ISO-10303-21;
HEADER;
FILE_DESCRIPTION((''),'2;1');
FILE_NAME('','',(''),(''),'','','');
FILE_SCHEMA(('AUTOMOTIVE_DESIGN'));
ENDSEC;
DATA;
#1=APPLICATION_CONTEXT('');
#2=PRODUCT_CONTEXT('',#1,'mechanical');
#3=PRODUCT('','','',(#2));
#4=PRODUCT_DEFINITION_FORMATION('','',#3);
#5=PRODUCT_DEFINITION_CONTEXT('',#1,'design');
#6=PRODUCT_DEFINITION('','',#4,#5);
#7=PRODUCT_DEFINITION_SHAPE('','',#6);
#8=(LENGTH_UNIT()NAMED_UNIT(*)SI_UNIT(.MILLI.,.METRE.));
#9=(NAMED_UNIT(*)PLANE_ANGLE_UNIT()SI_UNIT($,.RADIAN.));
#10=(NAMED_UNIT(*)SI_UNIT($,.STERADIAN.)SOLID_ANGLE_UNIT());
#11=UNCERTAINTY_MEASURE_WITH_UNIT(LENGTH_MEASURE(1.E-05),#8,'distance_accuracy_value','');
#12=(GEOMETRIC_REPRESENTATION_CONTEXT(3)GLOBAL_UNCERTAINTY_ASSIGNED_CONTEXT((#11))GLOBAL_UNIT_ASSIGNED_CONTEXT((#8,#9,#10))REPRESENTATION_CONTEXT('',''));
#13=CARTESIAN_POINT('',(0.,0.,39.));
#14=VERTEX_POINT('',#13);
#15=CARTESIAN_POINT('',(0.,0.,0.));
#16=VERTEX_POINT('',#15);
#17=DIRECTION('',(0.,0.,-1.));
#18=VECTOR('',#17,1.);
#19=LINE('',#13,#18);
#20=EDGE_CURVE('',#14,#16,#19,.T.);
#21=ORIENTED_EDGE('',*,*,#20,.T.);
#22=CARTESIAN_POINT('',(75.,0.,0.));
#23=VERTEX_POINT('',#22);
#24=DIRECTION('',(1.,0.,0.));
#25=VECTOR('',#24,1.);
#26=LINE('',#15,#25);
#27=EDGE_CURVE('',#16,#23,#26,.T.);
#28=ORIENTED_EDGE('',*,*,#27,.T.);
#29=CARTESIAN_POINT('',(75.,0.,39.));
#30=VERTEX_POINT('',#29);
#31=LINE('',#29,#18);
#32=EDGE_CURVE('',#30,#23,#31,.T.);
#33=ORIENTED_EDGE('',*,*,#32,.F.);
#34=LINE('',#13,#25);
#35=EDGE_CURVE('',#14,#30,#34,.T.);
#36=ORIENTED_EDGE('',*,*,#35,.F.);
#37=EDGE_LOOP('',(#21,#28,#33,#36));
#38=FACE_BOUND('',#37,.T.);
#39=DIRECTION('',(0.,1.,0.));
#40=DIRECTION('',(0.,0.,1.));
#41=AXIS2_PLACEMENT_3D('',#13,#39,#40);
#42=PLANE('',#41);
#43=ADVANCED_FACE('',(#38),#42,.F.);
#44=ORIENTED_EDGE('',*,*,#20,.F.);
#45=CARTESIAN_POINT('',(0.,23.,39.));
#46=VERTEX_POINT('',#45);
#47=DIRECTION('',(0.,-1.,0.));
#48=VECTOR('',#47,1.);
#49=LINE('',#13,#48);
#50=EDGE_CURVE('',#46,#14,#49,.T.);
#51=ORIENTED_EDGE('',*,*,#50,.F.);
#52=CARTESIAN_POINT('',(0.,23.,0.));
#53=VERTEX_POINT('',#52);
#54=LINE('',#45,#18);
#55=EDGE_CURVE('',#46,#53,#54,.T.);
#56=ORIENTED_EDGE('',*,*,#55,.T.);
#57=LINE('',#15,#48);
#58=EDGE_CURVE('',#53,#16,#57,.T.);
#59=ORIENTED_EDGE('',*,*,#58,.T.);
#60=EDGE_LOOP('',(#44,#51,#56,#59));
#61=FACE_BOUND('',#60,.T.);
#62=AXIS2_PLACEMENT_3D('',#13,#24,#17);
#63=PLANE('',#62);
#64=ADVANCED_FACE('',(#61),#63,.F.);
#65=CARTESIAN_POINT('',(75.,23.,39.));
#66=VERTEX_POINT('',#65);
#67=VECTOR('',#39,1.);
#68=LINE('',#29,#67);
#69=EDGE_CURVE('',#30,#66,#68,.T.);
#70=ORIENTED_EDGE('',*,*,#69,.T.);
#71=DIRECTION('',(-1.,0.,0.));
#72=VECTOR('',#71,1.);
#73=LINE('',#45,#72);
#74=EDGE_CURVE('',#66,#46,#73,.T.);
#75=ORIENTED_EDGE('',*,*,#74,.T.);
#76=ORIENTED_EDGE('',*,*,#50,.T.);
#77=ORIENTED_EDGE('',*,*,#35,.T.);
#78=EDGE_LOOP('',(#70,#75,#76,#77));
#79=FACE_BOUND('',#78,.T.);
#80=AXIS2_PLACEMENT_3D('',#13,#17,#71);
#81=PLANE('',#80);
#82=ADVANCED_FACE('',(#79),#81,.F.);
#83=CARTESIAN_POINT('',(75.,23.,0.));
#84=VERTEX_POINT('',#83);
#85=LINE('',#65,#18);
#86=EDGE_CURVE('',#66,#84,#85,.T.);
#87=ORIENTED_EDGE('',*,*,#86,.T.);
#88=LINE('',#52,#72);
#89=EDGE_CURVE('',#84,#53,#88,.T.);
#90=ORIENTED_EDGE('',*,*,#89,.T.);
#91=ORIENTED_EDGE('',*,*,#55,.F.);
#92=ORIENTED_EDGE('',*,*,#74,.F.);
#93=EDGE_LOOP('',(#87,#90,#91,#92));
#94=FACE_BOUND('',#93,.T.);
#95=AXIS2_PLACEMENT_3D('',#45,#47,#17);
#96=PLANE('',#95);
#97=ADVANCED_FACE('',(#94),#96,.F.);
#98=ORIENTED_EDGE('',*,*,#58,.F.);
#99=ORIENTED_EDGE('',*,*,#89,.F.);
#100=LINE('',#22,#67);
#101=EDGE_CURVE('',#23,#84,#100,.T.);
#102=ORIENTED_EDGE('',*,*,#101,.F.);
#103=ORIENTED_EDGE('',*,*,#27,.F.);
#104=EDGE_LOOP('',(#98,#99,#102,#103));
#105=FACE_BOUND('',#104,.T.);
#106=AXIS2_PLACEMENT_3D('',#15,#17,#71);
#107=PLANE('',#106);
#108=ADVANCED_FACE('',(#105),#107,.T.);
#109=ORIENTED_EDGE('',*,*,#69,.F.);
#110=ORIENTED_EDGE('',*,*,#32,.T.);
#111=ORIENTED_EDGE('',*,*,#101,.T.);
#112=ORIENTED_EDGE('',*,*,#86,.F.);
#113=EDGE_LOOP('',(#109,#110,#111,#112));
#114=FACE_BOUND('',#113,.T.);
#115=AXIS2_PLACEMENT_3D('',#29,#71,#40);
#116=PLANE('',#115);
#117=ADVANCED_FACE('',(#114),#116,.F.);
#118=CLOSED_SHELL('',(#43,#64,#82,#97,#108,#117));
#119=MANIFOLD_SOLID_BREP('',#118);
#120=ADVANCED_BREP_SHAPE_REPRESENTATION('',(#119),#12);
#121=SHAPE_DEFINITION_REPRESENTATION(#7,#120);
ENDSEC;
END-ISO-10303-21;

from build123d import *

# Parameters (mm, degrees)
SKETCH1_W     = 75
SKETCH1_H     = 23
PROFILE_DEPTH = 39


with BuildPart() as part:
    # Sketch1 → Profile (new body)
    with BuildSketch(Plane.XY):
        with Locations((37.5, 11.5)):
            Rectangle(SKETCH1_W, SKETCH1_H)
    extrude(amount=PROFILE_DEPTH)


solid = part.part
